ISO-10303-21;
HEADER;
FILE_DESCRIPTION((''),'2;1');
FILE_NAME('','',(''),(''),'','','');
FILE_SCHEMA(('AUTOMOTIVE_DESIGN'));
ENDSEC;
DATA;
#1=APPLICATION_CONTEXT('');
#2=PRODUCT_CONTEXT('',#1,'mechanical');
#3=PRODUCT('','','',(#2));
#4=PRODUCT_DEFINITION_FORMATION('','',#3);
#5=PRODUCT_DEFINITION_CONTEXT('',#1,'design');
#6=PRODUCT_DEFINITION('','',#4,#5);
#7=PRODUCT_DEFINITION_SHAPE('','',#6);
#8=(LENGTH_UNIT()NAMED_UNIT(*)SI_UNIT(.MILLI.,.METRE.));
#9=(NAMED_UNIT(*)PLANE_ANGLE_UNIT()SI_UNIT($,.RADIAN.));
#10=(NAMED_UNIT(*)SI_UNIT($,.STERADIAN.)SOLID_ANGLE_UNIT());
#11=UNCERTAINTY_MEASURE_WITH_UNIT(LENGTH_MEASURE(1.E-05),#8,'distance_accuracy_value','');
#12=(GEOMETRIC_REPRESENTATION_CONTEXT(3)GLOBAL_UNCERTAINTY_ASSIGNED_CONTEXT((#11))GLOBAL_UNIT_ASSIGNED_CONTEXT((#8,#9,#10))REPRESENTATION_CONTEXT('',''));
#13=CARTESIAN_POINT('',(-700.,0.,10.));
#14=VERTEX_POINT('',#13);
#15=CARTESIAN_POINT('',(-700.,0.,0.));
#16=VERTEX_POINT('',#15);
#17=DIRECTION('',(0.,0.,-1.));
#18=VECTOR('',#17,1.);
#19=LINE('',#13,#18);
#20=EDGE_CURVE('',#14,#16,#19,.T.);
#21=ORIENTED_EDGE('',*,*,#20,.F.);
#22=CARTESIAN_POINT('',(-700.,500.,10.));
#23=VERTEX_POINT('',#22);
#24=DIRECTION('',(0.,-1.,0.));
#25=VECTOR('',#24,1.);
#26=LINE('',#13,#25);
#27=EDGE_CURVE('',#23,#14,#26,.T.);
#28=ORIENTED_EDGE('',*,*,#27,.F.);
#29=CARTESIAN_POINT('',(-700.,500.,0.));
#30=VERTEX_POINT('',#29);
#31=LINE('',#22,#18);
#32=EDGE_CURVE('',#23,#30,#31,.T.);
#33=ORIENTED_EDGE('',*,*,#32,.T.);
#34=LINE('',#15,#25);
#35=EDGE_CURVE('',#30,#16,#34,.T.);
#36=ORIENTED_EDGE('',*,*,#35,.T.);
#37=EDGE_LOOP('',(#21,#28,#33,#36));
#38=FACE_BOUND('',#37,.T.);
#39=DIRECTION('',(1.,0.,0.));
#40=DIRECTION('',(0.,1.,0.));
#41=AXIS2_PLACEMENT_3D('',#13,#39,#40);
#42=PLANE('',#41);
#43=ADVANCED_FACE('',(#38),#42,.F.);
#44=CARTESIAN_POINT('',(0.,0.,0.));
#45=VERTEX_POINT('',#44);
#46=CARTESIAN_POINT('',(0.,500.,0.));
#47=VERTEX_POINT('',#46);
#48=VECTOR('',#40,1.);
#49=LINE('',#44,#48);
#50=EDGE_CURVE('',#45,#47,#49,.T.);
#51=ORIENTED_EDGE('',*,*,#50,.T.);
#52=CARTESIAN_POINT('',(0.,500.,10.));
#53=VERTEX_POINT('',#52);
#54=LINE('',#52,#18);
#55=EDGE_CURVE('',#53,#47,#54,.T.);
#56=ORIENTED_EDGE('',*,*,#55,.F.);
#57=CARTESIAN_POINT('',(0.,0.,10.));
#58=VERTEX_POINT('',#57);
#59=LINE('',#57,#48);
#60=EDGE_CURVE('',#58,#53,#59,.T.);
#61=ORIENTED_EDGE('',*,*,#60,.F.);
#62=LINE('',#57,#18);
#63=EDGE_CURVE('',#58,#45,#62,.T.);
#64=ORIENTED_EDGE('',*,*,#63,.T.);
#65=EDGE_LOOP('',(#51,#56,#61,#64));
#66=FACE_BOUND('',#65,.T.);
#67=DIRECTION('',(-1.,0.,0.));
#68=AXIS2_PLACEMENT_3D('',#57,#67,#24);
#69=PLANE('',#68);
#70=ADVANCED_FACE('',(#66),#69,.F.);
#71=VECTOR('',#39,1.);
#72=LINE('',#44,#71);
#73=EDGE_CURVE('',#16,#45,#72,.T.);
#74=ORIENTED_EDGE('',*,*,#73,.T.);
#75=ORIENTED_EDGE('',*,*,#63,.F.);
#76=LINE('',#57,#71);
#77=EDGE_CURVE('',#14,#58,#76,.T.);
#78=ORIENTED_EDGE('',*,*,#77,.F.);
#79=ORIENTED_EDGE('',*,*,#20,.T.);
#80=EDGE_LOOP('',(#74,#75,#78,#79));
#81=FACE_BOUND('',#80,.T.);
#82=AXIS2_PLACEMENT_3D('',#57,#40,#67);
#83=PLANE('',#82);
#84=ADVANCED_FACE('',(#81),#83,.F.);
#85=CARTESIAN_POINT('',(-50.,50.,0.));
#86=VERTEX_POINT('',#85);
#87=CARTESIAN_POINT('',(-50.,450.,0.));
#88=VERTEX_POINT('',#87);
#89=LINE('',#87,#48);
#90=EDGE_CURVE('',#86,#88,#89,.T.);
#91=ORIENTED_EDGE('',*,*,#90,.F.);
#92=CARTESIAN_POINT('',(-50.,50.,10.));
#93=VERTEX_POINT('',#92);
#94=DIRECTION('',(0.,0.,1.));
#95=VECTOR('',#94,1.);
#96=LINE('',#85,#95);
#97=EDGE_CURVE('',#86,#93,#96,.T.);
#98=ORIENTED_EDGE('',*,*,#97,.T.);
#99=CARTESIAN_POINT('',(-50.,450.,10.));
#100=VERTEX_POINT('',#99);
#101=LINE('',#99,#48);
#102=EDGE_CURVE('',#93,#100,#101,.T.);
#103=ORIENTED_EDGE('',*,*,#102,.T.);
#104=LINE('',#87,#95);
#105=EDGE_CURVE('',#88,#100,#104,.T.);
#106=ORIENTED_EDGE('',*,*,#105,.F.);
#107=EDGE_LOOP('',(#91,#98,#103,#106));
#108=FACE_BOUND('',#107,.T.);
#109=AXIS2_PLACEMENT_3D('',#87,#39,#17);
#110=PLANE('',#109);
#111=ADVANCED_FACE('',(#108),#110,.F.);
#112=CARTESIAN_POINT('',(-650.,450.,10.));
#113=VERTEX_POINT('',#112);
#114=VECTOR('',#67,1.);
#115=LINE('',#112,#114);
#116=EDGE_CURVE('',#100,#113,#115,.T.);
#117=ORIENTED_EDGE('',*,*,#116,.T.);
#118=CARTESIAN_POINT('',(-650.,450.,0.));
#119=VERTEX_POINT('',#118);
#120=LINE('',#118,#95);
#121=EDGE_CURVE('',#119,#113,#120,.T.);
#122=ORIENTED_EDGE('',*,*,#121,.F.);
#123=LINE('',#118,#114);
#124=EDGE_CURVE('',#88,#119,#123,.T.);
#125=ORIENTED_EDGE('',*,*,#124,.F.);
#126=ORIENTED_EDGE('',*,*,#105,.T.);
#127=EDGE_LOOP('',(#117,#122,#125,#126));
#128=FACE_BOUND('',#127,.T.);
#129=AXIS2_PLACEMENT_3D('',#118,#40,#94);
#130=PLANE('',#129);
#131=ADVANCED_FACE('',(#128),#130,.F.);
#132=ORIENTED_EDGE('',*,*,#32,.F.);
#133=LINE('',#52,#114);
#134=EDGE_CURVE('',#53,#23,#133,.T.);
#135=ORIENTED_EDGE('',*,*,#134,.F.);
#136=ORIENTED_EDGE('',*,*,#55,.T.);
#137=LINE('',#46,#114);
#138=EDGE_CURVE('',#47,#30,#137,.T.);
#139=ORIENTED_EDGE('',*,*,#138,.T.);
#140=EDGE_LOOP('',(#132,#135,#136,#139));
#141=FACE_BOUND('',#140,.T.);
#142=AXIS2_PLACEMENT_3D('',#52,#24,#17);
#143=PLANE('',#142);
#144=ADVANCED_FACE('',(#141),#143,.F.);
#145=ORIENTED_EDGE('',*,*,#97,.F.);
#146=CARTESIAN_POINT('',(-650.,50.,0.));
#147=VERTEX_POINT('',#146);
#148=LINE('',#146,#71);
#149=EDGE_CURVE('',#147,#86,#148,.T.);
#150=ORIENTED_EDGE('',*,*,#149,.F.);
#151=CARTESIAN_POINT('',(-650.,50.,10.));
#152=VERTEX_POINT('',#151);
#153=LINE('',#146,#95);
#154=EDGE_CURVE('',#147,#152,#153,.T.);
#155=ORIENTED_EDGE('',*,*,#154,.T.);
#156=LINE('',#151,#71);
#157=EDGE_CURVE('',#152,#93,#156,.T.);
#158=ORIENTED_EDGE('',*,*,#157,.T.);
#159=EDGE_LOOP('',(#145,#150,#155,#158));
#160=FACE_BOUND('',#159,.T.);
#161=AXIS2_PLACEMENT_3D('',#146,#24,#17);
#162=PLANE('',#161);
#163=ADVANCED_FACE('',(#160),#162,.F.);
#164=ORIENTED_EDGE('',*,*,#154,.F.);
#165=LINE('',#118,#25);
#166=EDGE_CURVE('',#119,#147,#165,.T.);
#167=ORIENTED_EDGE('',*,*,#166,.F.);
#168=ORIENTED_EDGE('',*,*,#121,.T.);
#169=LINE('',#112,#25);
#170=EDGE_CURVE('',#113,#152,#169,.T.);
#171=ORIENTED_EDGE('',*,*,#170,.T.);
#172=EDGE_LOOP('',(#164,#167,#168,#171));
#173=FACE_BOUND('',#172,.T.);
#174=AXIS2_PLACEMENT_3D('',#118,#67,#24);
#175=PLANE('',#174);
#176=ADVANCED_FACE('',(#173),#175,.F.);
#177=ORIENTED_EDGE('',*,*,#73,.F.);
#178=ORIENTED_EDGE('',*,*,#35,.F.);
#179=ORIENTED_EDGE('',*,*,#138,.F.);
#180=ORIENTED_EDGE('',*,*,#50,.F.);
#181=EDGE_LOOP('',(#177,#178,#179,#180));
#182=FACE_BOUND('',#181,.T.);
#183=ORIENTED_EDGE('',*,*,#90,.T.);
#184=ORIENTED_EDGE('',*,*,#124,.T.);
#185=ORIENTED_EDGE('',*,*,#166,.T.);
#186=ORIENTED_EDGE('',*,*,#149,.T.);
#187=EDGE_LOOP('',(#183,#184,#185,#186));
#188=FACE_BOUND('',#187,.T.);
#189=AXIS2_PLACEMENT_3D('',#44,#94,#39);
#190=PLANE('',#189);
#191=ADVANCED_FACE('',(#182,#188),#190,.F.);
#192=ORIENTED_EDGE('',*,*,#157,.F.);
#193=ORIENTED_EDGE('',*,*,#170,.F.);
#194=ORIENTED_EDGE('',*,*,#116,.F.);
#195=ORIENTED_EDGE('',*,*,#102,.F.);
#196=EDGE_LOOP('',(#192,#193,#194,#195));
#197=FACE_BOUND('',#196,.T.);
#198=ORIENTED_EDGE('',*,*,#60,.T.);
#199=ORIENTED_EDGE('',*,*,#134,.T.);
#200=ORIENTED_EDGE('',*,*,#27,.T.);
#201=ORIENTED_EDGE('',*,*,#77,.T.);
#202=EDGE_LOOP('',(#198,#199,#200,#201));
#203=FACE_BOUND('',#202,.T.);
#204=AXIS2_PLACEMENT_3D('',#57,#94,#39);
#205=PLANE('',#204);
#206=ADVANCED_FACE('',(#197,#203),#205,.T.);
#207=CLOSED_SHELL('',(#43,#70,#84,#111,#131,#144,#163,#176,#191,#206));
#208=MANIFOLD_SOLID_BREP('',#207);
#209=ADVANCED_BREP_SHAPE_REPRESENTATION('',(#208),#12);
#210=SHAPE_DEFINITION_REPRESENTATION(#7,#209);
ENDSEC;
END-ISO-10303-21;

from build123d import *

# Parameters (mm, degrees)
ESQUISSE1_W             = 700
ESQUISSE1_H             = 500
BOSS_EXTRU_1_DEPTH      = 10
ESQUISSE2_W             = 600
ESQUISSE2_H             = 400
ENL_V_MAT_EXTRU_1_DEPTH = 10


with BuildPart() as part:
    # Esquisse1 → Boss.-Extru.1 (new body)
    with BuildSketch(Plane.XY):
        with Locations((-350, 250)):
            Rectangle(ESQUISSE1_W, ESQUISSE1_H)
    extrude(amount=BOSS_EXTRU_1_DEPTH)

    # Esquisse2 → Enlèv. mat.-Extru.1 (cut)
    with BuildSketch(Plane.XY.offset(10)):
        with Locations((-350, 250)):
            Rectangle(ESQUISSE2_W, ESQUISSE2_H)
    extrude(amount=-ENL_V_MAT_EXTRU_1_DEPTH, mode=Mode.SUBTRACT)


solid = part.part
